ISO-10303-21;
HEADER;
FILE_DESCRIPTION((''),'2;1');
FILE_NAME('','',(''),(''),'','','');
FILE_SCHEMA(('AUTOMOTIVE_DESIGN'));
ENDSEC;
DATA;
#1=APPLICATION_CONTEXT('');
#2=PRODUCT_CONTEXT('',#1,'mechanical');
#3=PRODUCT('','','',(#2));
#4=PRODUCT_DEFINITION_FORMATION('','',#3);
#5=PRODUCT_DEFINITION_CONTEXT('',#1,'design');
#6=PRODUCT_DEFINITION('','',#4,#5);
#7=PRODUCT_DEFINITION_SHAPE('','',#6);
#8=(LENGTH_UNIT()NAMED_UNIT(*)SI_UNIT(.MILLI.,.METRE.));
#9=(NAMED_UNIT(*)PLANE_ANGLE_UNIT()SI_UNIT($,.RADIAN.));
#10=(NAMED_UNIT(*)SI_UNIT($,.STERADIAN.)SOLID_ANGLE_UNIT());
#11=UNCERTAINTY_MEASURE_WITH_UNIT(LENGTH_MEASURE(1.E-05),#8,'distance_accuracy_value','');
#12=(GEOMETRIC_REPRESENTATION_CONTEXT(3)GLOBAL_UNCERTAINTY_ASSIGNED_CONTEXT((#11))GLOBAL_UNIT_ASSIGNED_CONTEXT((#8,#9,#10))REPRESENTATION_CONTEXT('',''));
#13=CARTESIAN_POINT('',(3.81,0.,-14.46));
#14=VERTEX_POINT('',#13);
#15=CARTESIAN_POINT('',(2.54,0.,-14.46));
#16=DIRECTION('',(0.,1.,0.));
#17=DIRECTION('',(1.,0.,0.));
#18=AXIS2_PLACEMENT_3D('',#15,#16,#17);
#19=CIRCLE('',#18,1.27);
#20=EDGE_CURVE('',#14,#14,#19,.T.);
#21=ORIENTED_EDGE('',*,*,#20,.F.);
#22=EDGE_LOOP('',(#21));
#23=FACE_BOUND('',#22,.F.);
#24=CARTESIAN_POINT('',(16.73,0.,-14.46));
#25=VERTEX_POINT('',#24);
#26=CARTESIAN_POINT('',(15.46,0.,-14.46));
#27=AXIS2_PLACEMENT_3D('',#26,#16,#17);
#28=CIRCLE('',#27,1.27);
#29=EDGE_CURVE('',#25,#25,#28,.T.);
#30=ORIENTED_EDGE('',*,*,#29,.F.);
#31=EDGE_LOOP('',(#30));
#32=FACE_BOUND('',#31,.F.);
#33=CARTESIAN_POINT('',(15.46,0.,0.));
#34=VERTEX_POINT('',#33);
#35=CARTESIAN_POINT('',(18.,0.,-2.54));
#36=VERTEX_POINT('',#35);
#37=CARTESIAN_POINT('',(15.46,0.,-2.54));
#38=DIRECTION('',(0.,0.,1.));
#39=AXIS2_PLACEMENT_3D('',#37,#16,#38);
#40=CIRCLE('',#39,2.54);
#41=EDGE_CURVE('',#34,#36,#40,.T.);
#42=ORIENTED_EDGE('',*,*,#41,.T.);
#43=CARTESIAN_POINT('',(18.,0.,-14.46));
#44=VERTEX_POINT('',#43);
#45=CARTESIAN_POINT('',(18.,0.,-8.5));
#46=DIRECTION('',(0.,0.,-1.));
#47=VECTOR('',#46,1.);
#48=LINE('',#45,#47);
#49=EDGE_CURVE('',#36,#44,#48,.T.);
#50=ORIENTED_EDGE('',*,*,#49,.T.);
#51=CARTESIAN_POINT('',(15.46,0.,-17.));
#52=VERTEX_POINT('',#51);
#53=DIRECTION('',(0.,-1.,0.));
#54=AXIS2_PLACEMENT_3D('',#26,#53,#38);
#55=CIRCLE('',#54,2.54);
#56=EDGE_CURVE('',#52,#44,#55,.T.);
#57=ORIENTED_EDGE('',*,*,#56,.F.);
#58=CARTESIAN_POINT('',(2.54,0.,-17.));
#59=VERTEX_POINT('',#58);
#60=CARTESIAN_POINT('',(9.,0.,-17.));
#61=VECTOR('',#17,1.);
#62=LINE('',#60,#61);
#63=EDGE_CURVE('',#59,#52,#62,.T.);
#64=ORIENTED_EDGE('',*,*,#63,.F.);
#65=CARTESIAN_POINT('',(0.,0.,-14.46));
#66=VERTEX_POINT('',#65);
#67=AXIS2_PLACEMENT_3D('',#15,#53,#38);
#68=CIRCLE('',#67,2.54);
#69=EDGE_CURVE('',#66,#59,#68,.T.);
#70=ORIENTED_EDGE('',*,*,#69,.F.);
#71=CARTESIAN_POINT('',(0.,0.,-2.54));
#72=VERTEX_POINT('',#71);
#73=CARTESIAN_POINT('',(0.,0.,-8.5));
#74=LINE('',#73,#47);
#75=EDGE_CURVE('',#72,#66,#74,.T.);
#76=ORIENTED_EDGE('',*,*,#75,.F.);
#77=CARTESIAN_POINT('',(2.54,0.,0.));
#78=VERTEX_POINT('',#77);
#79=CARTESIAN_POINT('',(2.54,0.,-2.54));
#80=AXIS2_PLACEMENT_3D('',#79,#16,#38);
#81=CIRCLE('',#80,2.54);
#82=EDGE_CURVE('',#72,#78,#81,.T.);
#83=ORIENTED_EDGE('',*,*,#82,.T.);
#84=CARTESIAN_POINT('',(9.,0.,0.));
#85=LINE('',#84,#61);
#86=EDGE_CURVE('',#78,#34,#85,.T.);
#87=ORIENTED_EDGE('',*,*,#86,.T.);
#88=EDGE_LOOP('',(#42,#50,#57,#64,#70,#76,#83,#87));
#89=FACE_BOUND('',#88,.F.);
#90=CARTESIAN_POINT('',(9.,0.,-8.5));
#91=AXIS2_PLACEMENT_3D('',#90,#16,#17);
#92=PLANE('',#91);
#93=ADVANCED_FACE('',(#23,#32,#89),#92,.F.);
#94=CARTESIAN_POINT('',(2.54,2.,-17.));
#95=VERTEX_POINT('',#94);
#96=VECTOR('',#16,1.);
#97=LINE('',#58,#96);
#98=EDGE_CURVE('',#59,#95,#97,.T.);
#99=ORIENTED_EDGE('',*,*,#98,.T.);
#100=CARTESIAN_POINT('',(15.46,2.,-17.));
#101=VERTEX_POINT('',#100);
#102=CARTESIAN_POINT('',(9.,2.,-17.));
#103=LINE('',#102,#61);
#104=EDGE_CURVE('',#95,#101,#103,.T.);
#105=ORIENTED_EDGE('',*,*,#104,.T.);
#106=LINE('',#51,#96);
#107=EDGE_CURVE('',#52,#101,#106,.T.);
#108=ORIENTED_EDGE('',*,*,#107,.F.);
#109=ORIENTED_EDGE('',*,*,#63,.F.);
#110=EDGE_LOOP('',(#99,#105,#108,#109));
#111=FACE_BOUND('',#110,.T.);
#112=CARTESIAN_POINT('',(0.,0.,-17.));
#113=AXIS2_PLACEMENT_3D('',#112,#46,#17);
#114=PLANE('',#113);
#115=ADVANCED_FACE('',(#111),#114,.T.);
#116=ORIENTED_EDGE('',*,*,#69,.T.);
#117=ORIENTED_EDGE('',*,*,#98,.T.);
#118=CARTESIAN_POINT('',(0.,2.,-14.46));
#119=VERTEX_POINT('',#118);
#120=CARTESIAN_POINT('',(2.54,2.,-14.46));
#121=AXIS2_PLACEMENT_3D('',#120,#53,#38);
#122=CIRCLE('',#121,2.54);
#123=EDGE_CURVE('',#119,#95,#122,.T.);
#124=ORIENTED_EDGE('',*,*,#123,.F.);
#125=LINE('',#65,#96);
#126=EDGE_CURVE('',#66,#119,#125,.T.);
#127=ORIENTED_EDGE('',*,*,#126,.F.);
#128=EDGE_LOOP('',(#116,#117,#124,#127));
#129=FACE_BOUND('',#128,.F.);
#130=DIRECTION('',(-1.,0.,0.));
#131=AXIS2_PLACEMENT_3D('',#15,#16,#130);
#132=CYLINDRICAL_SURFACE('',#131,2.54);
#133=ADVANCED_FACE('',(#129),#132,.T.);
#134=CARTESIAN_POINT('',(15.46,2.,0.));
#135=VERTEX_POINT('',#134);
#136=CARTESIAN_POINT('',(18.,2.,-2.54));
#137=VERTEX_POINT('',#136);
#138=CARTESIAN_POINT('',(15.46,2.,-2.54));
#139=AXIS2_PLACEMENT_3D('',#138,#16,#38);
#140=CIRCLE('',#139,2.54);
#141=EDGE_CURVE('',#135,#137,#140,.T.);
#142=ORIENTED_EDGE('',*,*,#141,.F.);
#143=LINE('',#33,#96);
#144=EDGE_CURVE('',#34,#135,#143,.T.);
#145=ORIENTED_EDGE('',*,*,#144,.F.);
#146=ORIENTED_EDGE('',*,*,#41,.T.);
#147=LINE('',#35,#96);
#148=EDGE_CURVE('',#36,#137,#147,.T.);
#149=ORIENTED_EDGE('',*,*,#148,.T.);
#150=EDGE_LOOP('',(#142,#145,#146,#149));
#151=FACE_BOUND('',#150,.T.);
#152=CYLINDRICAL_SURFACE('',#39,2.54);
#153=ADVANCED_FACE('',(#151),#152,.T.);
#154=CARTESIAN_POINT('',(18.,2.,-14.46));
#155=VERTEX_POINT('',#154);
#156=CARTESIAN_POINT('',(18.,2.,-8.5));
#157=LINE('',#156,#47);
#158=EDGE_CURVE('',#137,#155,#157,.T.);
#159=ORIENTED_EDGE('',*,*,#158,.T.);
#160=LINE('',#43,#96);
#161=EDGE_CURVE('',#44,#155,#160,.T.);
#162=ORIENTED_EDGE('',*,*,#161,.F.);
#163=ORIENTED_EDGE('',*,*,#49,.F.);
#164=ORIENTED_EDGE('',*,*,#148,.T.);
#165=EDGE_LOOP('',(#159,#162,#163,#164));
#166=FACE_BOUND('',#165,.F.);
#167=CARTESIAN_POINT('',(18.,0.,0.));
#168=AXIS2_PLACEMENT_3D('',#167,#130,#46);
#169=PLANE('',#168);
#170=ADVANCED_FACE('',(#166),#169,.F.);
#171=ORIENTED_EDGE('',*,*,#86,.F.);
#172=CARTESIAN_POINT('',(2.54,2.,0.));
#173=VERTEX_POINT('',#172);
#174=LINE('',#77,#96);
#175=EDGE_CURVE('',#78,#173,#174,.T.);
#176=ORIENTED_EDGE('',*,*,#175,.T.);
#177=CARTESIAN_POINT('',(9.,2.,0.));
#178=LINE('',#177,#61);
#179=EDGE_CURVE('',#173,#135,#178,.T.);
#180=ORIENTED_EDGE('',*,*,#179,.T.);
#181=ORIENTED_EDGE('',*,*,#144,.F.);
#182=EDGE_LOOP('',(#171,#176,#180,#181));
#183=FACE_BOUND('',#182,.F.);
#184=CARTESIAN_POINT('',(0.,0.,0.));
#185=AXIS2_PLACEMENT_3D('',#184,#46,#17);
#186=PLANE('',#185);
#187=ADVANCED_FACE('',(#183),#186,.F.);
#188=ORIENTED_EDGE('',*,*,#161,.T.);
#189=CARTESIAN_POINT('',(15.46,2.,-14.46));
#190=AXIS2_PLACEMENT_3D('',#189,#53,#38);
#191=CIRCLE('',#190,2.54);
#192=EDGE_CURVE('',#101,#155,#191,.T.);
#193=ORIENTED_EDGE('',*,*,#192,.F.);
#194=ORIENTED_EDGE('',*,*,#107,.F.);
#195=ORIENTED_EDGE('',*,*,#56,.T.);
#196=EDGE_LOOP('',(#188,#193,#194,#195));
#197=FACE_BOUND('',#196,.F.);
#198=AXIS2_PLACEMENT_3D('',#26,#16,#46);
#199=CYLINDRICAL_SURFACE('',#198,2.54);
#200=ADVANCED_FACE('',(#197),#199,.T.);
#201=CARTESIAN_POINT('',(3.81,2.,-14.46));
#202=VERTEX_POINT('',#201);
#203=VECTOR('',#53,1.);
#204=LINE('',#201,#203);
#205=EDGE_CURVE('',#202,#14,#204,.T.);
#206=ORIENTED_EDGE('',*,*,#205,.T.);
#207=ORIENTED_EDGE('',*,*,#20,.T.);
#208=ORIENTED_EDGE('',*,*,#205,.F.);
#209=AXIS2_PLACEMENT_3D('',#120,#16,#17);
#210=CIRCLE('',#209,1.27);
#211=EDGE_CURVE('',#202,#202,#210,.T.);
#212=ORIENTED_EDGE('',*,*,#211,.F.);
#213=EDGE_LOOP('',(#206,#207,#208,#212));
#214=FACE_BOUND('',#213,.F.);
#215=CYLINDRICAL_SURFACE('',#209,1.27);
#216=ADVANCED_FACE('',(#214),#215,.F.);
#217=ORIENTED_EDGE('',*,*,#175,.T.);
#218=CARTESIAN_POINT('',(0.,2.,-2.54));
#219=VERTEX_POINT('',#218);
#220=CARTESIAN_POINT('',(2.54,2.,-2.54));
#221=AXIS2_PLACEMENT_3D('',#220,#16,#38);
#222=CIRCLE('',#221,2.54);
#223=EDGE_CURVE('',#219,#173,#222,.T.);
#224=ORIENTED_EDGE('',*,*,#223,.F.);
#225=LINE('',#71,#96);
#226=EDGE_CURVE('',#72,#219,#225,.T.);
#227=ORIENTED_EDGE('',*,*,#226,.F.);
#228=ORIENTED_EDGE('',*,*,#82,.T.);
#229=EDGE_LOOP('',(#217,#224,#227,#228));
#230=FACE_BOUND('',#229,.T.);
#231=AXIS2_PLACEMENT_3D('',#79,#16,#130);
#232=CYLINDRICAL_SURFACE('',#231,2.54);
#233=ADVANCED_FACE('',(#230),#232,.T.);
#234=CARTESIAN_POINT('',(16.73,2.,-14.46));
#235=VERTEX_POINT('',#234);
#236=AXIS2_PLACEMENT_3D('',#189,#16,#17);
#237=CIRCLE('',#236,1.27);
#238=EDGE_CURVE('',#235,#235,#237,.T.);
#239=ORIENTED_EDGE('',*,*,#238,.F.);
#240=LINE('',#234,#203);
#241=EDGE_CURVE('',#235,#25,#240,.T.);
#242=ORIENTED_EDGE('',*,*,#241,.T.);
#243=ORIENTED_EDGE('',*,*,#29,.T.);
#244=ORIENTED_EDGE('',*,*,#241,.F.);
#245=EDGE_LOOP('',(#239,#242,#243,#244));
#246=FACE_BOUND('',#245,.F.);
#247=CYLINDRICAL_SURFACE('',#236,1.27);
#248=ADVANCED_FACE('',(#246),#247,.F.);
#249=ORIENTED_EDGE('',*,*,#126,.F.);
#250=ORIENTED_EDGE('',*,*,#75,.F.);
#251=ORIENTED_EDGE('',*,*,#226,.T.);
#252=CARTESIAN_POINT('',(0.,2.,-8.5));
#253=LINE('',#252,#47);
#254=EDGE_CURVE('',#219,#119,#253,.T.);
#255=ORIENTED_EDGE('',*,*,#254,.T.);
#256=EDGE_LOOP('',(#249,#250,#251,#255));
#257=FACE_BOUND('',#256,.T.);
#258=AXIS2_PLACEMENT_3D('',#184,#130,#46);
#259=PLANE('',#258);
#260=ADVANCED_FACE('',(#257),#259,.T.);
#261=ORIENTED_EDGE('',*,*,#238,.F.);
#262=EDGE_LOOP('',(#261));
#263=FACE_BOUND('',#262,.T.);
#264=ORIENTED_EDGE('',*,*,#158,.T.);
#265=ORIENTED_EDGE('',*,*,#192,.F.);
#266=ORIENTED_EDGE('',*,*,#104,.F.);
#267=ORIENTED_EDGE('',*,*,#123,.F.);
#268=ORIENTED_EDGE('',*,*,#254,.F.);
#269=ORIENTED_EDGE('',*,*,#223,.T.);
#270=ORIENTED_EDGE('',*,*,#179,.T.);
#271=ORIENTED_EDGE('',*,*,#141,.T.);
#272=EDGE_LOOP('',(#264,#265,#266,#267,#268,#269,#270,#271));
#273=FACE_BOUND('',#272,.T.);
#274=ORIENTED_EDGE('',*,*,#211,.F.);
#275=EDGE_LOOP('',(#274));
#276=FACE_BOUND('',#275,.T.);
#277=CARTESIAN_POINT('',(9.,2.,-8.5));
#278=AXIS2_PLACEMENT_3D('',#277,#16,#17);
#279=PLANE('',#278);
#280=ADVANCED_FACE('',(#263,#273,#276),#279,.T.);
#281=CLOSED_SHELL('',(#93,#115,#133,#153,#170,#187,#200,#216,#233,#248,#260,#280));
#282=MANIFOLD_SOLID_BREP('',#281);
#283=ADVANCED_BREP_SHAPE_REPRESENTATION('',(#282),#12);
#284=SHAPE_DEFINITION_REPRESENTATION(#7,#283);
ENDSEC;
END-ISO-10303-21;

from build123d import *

# Parameters (mm, degrees)
SKETCH1_W           = 18
SKETCH1_H           = 17
BOSS_EXTRUDE1_DEPTH = 2
SKETCH2_R           = 1.27
CUT_EXTRUDE1_DEPTH  = 3
FILLET1_R           = 2.54


with BuildPart() as part:
    # Sketch1 → Boss-Extrude1 (new body)
    with BuildSketch(Plane(origin=(0, 0, 0), x_dir=(1, 0, 0), z_dir=(0, 1, 0))):
        with Locations((9, 8.5)):
            Rectangle(SKETCH1_W, SKETCH1_H)
    extrude(amount=BOSS_EXTRUDE1_DEPTH)

    # Sketch2 → Cut-Extrude1 (cut, through all)
    with BuildSketch(Plane(origin=(0, 2, 0), x_dir=(1, 0, 0), z_dir=(0, 1, 0))):
        with Locations((2.54, 14.46)):
            Circle(SKETCH2_R)
        with Locations((15.46, 14.46)):
            Circle(SKETCH2_R)
    extrude(amount=-CUT_EXTRUDE1_DEPTH, mode=Mode.SUBTRACT)

    # Fillet1
    fillet1_edges = [part.edges().sort_by_distance(p)[0] for p in [
        (0, 1, -17),
        (18, 1, -17),
        (18, 1, 0),
        (0, 1, 0),
    ]]
    fillet(fillet1_edges, radius=FILLET1_R)


solid = part.part
